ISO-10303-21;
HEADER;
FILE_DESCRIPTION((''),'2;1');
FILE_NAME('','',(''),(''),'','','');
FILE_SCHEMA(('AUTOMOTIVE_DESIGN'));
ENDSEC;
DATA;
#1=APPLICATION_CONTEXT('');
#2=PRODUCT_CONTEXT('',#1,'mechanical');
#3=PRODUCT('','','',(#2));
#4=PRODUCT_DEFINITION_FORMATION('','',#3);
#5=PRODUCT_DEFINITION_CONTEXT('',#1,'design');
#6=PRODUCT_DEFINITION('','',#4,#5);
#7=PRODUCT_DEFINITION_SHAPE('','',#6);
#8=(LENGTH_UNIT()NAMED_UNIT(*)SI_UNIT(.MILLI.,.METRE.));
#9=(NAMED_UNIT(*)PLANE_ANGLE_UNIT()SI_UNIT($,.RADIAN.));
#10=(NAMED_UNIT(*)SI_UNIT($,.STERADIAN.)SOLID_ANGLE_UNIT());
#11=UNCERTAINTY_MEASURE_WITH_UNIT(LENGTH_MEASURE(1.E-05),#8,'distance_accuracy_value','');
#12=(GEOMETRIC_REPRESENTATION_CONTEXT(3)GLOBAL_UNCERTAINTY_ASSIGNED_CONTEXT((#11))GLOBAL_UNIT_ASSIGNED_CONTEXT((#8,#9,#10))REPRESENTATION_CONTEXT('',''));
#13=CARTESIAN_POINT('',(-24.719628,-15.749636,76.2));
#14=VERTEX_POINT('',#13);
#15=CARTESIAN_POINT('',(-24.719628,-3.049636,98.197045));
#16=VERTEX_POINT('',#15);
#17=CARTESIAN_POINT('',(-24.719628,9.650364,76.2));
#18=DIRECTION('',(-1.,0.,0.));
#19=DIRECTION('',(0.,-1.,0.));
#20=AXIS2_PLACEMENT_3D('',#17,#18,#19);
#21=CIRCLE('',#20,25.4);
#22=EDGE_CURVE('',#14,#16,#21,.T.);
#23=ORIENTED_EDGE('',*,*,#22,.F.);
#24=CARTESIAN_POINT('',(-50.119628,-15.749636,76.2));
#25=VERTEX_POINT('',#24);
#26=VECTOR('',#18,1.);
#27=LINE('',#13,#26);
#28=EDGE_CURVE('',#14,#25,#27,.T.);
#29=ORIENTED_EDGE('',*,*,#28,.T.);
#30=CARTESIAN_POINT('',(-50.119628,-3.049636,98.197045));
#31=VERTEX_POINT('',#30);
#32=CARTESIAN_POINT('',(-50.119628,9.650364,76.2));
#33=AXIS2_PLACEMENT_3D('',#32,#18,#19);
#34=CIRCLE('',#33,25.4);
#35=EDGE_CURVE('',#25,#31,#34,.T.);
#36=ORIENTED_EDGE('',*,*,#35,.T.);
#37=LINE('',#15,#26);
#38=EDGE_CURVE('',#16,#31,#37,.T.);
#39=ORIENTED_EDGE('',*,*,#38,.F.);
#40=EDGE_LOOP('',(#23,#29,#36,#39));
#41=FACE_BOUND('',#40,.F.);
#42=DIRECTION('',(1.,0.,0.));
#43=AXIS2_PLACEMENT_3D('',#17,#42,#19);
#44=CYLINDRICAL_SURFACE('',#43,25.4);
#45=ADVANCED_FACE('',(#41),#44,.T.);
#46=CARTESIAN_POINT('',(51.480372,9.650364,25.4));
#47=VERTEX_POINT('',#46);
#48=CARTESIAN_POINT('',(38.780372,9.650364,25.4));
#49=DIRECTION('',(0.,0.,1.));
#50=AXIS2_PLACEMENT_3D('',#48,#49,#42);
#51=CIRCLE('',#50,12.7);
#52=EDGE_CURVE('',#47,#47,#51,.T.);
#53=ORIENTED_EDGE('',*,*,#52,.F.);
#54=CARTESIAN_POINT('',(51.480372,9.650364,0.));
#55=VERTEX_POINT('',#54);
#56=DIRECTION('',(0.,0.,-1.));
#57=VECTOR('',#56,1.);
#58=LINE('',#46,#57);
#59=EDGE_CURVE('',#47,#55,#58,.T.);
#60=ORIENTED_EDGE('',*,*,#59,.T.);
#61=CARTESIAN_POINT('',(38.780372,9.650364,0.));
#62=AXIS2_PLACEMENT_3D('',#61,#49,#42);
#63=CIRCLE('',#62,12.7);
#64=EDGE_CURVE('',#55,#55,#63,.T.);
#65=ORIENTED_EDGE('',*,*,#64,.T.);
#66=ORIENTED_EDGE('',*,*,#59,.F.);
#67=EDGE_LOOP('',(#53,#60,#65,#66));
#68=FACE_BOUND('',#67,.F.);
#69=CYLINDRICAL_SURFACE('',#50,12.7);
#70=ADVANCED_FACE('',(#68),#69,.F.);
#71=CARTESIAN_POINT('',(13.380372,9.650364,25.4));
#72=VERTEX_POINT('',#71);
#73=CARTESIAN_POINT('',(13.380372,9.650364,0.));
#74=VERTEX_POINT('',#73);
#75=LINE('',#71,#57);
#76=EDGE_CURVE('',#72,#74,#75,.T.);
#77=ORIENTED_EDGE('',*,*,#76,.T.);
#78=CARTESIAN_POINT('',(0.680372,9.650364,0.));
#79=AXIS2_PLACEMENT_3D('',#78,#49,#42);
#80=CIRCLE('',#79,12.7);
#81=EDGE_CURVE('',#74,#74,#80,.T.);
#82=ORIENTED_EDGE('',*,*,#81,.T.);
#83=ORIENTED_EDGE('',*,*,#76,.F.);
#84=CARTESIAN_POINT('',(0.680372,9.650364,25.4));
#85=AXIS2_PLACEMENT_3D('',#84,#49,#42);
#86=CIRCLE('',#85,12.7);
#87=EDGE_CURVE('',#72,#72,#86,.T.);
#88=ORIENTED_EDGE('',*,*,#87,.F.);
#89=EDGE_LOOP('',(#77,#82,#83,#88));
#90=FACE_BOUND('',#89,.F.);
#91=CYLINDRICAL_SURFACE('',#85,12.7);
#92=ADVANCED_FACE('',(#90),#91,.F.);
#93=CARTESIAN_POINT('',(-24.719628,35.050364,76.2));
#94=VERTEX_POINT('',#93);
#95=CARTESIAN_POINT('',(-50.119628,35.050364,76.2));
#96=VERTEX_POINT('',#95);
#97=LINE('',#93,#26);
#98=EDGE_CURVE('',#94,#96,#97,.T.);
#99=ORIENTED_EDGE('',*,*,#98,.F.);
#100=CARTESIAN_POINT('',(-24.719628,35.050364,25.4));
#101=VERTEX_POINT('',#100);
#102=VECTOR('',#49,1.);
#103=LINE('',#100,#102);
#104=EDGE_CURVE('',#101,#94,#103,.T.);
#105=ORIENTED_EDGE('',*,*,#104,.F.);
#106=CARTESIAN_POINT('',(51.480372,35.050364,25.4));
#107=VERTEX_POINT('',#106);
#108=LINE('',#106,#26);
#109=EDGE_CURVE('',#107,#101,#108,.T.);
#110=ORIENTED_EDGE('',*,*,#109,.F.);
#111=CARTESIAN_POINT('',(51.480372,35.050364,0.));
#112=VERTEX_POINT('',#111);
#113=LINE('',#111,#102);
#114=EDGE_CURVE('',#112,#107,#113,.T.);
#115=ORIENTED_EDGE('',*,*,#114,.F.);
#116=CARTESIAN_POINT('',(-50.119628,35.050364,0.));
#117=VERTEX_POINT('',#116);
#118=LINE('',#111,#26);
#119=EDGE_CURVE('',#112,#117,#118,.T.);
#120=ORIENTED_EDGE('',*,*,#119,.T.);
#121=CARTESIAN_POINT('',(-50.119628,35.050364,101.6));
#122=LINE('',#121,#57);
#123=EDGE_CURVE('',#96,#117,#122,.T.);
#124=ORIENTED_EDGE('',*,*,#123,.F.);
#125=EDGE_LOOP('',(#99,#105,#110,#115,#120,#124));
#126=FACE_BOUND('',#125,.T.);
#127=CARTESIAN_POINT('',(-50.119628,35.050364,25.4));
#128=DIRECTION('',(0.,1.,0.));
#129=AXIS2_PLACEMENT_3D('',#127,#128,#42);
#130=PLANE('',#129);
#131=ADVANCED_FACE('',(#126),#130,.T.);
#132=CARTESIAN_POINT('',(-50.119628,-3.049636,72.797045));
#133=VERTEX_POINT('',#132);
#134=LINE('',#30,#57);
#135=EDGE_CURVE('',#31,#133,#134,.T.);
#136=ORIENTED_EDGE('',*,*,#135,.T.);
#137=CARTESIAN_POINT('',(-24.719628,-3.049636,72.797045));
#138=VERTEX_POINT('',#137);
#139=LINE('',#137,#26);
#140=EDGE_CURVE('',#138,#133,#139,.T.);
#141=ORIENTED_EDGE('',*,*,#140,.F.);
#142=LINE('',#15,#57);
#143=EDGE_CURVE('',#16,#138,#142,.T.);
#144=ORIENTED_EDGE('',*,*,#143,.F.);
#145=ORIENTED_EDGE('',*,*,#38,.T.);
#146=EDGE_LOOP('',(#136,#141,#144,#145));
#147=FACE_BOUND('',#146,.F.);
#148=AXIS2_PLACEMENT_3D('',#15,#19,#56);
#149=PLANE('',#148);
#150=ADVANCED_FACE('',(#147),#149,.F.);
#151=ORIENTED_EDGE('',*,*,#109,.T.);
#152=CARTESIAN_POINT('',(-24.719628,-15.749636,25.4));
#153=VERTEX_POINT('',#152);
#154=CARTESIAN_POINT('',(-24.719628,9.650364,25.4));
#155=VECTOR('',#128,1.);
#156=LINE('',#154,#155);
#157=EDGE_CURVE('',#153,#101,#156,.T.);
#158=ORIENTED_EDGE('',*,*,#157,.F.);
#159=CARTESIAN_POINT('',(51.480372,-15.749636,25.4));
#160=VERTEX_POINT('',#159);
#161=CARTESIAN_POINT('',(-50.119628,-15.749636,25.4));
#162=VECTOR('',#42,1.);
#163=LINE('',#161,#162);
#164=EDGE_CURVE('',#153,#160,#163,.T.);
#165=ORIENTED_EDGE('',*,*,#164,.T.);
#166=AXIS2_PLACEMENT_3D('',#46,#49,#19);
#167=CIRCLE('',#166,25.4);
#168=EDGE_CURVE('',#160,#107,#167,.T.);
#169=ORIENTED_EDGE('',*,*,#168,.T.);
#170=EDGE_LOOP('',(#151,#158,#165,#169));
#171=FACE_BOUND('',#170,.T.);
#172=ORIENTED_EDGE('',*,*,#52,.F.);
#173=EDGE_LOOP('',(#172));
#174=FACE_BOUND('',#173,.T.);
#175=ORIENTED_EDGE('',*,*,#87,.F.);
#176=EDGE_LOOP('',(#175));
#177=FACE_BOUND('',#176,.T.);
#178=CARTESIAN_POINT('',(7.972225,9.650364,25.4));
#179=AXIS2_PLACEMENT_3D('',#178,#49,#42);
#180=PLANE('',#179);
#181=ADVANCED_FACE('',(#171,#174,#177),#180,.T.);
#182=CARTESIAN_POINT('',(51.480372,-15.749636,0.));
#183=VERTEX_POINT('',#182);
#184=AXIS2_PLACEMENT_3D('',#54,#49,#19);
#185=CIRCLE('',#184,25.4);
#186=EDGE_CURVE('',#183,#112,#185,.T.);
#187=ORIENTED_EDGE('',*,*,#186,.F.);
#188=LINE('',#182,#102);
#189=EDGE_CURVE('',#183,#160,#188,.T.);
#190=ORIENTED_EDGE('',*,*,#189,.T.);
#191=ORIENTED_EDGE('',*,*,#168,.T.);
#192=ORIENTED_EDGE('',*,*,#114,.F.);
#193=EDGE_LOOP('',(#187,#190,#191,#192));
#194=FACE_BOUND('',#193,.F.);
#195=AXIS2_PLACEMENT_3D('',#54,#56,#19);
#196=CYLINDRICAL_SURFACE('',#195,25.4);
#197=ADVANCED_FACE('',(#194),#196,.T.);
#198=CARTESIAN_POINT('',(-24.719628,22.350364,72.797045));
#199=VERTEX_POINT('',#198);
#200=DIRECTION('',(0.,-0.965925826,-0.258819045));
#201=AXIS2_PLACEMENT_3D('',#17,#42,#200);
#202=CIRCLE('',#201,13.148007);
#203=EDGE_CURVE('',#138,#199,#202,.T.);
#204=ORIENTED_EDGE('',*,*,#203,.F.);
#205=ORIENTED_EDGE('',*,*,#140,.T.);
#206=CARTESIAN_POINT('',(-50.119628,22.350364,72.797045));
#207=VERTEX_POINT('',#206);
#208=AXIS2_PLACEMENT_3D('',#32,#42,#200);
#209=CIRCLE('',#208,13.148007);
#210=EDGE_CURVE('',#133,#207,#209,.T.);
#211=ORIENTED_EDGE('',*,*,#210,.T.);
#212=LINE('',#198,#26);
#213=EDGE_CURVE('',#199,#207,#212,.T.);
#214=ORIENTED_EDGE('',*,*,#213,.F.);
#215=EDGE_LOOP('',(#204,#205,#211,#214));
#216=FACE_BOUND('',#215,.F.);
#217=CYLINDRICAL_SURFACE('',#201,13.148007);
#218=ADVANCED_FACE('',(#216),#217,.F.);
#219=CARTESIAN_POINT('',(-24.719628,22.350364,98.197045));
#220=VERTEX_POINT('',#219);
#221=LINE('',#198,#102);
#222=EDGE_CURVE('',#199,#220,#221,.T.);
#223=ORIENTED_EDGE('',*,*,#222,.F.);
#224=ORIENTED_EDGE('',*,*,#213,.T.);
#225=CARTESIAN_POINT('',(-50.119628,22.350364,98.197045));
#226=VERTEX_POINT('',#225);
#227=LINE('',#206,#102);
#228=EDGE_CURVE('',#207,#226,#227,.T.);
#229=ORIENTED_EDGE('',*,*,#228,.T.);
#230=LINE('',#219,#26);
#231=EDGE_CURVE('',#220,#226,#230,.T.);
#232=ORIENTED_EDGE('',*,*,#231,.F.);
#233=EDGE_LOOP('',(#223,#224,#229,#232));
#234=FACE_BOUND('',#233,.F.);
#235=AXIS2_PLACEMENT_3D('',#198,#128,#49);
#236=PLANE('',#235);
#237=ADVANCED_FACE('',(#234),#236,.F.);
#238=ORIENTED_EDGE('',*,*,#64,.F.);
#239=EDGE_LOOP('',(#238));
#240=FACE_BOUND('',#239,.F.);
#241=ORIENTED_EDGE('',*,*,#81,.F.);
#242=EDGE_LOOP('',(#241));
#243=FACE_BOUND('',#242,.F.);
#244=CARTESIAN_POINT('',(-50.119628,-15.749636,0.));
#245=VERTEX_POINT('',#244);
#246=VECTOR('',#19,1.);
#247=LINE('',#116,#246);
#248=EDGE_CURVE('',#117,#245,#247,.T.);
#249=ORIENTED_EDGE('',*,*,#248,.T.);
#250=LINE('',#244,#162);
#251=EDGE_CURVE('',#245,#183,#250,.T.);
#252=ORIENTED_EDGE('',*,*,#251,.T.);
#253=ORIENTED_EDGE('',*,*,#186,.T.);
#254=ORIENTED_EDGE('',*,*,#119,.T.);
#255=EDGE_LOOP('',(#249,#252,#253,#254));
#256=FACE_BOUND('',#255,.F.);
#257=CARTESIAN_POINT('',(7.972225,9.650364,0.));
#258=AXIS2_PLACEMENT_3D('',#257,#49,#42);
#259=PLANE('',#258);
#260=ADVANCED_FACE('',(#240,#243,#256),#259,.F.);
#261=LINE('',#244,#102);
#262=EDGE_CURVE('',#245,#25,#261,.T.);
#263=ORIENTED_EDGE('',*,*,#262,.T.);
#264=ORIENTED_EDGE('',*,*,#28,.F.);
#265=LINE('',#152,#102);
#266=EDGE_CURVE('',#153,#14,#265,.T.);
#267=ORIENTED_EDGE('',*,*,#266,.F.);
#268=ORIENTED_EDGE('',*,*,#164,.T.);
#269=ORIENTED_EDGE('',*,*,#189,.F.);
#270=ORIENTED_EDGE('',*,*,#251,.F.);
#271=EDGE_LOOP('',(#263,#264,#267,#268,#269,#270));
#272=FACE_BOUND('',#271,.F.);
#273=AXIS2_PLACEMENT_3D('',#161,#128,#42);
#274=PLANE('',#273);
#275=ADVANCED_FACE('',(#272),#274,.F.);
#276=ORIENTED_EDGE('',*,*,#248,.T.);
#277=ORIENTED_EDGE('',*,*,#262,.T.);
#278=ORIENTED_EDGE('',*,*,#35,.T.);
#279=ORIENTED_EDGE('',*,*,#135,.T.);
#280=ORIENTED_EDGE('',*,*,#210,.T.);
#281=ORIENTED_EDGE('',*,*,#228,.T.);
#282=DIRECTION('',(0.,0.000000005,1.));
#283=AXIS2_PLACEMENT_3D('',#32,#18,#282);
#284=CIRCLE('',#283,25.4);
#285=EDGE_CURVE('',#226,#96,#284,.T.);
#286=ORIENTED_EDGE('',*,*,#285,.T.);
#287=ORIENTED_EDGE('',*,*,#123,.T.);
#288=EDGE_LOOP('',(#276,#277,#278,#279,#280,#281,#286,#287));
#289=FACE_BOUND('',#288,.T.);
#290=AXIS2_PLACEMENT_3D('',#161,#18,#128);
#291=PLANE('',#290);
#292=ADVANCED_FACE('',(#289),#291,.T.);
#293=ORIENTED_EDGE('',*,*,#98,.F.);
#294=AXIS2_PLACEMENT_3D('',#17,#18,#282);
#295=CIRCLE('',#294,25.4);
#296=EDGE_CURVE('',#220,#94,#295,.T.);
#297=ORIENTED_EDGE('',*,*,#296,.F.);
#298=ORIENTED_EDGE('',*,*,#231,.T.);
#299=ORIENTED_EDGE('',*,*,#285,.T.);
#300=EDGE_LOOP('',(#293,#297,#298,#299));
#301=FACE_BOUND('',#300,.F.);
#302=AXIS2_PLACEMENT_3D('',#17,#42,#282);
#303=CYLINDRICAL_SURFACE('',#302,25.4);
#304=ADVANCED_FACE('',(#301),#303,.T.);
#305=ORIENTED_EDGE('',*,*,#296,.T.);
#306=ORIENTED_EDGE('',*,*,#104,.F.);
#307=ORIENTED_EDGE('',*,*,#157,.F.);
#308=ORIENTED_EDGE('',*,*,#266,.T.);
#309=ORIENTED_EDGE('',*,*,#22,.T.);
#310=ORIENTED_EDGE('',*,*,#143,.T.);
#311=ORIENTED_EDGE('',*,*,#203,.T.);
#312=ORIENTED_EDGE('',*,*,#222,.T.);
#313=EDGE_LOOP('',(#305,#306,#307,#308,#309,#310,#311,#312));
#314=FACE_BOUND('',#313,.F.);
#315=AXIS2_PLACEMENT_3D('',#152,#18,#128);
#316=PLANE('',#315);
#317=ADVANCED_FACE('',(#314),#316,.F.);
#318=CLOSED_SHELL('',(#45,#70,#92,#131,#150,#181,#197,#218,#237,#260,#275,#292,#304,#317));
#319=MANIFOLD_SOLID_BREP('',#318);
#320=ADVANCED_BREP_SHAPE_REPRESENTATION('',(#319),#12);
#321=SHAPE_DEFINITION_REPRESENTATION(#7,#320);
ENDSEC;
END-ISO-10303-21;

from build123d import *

# Parameters (mm, degrees)
F1_DEPTH  = 25.4
F2_R      = 12.7
F3_DEPTH  = 25.4
F4_R      = 12.7
F5_DEPTH  = 25.4
F6_W      = 25.4
F6_H      = 50.8
F7_DEPTH  = 76.2
F9_DEPTH  = 25.4
F11_DEPTH = 25.4
F13_DEPTH = 25.4


with BuildPart() as f1:
    # F0 (on Top) → F1 (new body)
    with BuildSketch(Plane.XY):
        with BuildLine():
            ThreePointArc((51.4803717834, -15.7496363992), (76.8803717834, 9.6503636008), (51.4803717834, 35.0503636008))
            Line((51.4803717834, 35.0503636008), (-50.1196282166, 35.0503636008))
            Line((-50.1196282166, 35.0503636008), (-50.1196282166, -15.7496363992))
            Line((-50.1196282166, -15.7496363992), (51.4803717834, -15.7496363992))
        make_face()
    extrude(amount=F1_DEPTH)

    # F2 (on face) → F3 (cut)
    with BuildSketch(Plane.XY.offset(25.4)):
        with Locations((0.6803717834, 9.6503636008)):
            Circle(F2_R)
    extrude(amount=-F3_DEPTH, mode=Mode.SUBTRACT)

    # F4 (on face) → F5 (cut)
    with BuildSketch(Plane.XY.offset(25.4)):
        with Locations((38.7803717834, 9.6503636008)):
            Circle(F4_R)
    extrude(amount=-F5_DEPTH, mode=Mode.SUBTRACT)

    # F6 (on face) → F7 (join)
    with BuildSketch(Plane.XY.offset(25.4)):
        with Locations((-37.4196282166, 9.6503636008)):
            Rectangle(F6_W, F6_H)
    extrude(amount=F7_DEPTH)

    # F8 (on face) → F9 (cut)
    with BuildSketch(Plane.YZ.offset(-24.7196282166)):
        with BuildLine():
            ThreePointArc((9.6503637335, 101.6), (27.6108758899, 94.1605121953), (35.0503636008, 76.2))
            Line((35.0503636008, 76.2), (35.0503636008, 101.6))
            Line((35.0503636008, 101.6), (9.6503637335, 101.6))
        make_face()
    extrude(amount=-F9_DEPTH, mode=Mode.SUBTRACT)

    # F10 (on face) → F11 (cut)
    with BuildSketch(Plane.YZ.offset(-24.7196282166)):
        with BuildLine():
            ThreePointArc((-15.7496363992, 76.2), (-8.31014861, 94.1605122734), (9.6503636892, 101.6))
            Line((9.6503636008, 101.6), (-15.7496363992, 101.6))
            Line((-15.7496363992, 101.6), (-15.7496363992, 76.2))
        make_face()
    extrude(amount=-F11_DEPTH, mode=Mode.SUBTRACT)

    # F12 (on face) → F13 (cut)
    with BuildSketch(Plane.YZ.offset(-24.7196282166)):
        with BuildLine():
            ThreePointArc((9.6503636892, 101.6), (3.0763598979, 100.7345159992), (-3.0496363992, 98.1970452561))
            Line((-3.0496363992, 98.1970452561), (-3.0496363992, 79.6029547439))
            Line((-3.0496363992, 79.6029547439), (-3.0496363992, 72.7970452561))
            ThreePointArc((-3.0496363992, 72.7970452561), (9.6503636008, 63.0519925088), (22.3503636008, 72.7970452561))
            Line((22.3503636008, 72.7970452561), (22.3503636008, 79.6029547439))
            Line((22.3503636008, 79.6029547439), (22.3503636008, 98.1970452561))
            ThreePointArc((22.3503636008, 98.1970452561), (16.2243674105, 100.7345159706), (9.6503637335, 101.6))
        make_face()
    extrude(amount=-F13_DEPTH, mode=Mode.SUBTRACT)


solid = f1.part
